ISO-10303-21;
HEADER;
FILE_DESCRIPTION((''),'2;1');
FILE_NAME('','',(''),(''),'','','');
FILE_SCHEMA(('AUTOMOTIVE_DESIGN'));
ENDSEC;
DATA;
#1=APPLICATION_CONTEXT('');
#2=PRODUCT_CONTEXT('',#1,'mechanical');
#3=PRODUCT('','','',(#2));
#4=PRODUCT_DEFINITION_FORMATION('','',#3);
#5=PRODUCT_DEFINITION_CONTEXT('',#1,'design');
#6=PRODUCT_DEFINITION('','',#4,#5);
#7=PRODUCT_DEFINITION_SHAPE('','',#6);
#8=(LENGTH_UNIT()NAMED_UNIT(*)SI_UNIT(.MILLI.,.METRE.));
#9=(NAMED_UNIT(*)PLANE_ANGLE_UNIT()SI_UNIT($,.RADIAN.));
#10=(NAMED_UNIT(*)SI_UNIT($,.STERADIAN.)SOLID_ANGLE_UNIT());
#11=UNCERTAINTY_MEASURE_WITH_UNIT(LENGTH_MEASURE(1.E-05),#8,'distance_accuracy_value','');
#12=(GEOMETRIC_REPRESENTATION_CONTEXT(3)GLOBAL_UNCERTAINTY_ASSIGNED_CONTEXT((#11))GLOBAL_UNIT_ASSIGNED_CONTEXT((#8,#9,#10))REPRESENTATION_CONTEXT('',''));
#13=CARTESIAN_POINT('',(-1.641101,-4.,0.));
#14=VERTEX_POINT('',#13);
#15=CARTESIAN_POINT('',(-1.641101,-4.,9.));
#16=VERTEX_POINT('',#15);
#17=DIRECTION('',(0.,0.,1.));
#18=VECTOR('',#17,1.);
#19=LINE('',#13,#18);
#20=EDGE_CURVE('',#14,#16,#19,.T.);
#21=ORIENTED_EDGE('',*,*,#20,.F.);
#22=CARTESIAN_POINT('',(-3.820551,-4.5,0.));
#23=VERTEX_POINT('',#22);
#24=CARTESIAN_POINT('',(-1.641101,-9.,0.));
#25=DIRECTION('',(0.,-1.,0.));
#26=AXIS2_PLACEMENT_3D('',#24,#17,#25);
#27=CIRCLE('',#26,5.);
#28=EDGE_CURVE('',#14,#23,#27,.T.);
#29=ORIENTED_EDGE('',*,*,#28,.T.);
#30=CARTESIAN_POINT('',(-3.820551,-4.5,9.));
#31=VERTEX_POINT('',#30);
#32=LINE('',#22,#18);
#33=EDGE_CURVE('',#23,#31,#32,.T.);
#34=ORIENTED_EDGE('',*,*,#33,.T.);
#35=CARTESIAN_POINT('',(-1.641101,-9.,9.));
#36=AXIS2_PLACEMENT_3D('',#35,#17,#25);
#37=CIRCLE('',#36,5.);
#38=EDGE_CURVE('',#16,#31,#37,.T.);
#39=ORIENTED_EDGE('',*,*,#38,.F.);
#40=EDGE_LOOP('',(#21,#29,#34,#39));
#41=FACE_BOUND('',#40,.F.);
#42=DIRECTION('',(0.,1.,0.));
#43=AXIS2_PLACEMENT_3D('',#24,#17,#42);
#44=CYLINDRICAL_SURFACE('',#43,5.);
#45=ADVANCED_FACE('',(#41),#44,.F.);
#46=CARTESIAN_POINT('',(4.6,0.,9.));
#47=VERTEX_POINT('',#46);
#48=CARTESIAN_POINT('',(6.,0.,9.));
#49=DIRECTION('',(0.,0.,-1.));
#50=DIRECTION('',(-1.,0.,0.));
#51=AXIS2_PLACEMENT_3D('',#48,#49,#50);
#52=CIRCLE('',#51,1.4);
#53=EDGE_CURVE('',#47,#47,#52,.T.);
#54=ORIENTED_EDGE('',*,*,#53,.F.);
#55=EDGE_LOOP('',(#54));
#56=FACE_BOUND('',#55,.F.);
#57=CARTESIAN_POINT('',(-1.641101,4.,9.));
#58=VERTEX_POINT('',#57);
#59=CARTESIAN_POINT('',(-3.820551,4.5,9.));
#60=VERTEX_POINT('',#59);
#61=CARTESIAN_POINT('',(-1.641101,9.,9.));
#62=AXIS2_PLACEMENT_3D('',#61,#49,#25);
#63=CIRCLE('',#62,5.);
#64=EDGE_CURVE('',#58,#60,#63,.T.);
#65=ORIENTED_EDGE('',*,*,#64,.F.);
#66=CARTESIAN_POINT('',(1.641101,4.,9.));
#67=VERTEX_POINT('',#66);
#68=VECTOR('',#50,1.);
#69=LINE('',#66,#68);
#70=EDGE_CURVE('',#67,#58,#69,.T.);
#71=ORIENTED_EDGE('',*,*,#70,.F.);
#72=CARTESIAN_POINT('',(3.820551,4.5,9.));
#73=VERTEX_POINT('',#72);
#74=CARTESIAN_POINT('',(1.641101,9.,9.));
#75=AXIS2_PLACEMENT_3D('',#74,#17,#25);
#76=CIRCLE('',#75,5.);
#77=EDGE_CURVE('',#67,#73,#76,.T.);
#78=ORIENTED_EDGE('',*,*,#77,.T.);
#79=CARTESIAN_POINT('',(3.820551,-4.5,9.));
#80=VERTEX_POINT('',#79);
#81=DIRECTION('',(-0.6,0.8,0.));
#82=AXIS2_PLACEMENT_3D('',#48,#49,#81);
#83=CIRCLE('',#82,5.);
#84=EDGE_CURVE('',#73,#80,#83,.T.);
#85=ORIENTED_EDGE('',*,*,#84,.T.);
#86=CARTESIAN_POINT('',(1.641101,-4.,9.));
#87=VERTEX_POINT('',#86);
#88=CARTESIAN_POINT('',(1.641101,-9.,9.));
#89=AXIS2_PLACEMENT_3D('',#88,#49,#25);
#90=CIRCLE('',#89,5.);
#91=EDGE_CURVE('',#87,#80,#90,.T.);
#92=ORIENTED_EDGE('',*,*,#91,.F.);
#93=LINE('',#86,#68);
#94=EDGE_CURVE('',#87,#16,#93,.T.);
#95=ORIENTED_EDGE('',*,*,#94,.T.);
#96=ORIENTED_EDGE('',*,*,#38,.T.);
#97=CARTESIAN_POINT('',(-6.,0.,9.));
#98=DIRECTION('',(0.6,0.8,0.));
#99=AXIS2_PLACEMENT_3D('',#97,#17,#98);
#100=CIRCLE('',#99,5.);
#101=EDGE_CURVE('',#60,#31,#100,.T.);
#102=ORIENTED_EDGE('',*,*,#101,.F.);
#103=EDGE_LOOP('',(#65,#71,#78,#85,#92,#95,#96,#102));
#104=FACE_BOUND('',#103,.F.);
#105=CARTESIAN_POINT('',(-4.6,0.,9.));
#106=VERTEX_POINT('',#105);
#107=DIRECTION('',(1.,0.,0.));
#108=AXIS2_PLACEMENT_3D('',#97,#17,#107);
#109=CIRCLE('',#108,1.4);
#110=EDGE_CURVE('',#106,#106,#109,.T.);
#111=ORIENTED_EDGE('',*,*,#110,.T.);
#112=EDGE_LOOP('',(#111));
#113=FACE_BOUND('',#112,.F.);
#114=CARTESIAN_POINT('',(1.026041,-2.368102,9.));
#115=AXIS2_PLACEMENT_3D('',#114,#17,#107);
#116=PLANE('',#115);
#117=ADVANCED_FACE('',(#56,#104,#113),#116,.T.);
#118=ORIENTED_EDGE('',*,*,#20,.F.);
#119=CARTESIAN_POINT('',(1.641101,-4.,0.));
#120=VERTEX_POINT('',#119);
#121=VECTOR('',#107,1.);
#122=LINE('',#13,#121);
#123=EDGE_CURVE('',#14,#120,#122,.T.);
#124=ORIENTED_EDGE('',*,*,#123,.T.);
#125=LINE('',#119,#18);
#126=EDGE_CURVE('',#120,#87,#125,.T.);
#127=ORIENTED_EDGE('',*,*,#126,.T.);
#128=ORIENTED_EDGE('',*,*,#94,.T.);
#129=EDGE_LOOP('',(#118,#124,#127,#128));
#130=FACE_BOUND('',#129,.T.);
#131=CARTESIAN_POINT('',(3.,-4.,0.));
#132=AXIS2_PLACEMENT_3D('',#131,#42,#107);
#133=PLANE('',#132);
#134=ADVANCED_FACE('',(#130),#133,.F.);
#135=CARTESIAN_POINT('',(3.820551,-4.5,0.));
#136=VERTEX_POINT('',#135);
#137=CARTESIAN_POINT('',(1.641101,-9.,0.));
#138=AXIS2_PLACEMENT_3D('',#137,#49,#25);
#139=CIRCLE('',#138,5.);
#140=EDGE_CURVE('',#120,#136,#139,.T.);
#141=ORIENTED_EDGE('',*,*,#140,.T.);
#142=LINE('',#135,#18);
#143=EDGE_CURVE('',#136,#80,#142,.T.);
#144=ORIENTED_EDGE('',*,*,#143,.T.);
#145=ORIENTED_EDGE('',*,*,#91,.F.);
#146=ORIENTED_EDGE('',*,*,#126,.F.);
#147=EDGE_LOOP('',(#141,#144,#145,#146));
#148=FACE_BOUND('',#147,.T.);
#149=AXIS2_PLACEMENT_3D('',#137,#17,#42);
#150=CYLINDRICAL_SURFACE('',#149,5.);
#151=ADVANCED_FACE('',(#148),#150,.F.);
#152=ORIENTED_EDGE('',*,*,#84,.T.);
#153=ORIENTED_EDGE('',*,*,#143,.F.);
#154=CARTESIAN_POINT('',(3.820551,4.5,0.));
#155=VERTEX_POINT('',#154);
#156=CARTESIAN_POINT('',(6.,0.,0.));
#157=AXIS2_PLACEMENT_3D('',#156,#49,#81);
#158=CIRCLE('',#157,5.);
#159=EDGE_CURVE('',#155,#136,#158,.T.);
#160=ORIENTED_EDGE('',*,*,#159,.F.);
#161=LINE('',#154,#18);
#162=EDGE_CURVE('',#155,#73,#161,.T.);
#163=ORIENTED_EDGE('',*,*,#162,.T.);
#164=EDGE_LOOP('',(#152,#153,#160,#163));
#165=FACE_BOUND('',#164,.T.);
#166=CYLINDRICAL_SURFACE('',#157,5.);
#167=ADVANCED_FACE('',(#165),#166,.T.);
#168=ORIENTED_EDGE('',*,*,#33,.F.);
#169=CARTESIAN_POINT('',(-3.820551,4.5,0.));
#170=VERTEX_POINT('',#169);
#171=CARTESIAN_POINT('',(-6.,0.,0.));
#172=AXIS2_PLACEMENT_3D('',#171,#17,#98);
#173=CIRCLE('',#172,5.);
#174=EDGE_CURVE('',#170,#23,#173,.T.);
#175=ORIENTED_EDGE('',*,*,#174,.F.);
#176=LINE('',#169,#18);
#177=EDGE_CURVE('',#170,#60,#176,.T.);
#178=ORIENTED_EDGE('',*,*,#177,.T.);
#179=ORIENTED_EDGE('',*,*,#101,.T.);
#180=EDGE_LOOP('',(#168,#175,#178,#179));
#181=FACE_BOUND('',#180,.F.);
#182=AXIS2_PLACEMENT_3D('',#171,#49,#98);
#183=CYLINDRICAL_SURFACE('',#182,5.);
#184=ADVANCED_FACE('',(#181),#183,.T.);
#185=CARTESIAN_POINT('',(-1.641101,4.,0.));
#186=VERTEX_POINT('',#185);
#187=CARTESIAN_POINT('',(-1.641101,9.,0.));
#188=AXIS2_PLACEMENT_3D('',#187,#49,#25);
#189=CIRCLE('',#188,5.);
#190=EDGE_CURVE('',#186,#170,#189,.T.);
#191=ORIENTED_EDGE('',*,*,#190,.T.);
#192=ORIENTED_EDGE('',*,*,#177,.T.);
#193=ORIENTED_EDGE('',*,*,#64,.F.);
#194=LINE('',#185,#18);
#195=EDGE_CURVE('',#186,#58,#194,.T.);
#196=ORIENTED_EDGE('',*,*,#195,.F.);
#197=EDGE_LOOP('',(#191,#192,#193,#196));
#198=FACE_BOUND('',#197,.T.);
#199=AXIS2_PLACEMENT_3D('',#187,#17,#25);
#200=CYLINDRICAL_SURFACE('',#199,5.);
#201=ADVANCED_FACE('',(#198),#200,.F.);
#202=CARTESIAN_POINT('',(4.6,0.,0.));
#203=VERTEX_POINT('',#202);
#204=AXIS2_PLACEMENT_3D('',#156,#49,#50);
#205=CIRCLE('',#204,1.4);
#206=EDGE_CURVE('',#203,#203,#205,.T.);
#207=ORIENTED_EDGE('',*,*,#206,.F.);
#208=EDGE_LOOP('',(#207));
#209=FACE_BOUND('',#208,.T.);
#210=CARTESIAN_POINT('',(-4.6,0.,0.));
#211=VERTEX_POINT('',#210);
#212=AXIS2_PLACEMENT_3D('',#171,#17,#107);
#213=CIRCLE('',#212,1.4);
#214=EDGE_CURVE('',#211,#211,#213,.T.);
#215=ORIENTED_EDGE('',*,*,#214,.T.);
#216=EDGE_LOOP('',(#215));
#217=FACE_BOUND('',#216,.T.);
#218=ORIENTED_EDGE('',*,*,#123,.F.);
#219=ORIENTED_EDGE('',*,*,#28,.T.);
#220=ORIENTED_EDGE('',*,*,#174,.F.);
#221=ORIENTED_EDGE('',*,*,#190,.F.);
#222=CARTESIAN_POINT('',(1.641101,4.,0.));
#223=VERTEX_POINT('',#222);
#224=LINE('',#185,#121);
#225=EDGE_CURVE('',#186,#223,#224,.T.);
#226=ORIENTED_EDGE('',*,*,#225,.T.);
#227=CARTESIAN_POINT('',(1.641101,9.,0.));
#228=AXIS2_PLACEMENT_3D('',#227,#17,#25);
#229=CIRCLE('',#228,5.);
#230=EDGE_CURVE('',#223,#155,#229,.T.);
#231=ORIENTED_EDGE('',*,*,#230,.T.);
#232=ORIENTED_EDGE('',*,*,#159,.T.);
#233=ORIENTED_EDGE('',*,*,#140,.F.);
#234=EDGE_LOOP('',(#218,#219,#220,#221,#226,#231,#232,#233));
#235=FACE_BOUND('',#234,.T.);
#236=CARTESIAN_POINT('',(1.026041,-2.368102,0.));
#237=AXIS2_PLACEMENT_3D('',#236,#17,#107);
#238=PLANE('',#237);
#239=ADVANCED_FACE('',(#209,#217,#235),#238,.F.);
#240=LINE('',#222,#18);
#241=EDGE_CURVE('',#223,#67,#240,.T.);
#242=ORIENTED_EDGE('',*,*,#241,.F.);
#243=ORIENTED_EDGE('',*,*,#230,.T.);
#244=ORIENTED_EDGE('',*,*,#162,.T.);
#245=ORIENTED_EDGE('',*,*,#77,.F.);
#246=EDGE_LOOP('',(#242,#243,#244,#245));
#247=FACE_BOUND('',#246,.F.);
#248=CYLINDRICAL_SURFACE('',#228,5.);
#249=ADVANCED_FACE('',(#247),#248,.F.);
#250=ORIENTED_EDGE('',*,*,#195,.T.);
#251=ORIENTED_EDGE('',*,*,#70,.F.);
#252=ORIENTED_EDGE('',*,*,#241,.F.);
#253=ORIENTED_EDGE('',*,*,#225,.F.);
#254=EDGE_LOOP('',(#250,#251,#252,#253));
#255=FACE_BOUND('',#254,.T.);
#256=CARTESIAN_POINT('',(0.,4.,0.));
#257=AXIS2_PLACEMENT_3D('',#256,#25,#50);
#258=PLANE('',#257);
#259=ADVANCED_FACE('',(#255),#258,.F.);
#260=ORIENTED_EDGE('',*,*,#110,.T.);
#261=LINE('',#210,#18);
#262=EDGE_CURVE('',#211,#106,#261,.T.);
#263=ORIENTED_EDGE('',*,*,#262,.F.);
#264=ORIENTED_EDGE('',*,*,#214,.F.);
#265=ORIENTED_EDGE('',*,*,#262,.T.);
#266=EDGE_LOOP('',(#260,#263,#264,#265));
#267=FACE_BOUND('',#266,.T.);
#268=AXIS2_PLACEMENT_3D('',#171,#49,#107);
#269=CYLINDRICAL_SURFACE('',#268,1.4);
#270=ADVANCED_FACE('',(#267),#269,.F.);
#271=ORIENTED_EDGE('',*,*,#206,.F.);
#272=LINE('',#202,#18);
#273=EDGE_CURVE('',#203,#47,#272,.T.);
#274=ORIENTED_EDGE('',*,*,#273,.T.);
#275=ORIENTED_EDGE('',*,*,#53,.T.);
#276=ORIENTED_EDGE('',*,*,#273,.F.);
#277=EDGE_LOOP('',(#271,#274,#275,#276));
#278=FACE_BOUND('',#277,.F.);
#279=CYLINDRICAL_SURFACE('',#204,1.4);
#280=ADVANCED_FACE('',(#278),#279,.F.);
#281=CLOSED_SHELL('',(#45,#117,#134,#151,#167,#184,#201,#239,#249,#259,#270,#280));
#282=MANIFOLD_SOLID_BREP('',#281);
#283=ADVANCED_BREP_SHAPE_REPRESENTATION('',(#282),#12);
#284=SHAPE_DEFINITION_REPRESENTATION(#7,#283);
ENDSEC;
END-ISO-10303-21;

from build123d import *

# Parameters (mm, degrees)
F0_R     = 1.4
F1_DEPTH = 9
F2_R     = 5


with BuildPart() as f1:
    # F0 (on Top) → F1 (new body)
    with BuildSketch(Plane.XY):
        with BuildLine():
            Line((0, -4), (0, 0))
            Line((0, 0), (-1, 0))
            ThreePointArc((-1, 0), (-1.527864, -2.236068), (-3, -4))
            Line((-3, -4), (0, -4))
        make_face()
        with BuildLine():
            Line((-1, 0), (0, 0))
            Line((0, 0), (0, 4))
            Line((0, 4), (-3, 4))
            ThreePointArc((-3, 4), (-1.527864, 2.236068), (-1, 0))
        make_face()
        with Locations((-6, 0)):
            Circle(F0_R)
        with BuildLine():
            ThreePointArc((-3, -4), (-1.527864, -2.236068), (-1, 0))
            ThreePointArc((-1, 0), (-1.527864, 2.236068), (-3, 4))
            ThreePointArc((-3, 4), (-11, 0), (-3, -4))
        make_face()
        with Locations((-6, 0)):
            Circle(F0_R, mode=Mode.SUBTRACT)
    extrude(amount=F1_DEPTH)

    # F2
    f2_edges = [f1.edges().sort_by_distance(p)[0] for p in [
        (-3, 4, 4.5),
        (-3, -4, 4.5),
    ]]
    fillet(f2_edges, radius=F2_R)

    # F3: F1 across face


with BuildPart() as f1_1:
    add(f1.part)
    add(f1.part.mirror(Plane(origin=(0, 0, 4.5), x_dir=(0, 1, 0), z_dir=(1, 0, 0))))


solid = f1_1.part
